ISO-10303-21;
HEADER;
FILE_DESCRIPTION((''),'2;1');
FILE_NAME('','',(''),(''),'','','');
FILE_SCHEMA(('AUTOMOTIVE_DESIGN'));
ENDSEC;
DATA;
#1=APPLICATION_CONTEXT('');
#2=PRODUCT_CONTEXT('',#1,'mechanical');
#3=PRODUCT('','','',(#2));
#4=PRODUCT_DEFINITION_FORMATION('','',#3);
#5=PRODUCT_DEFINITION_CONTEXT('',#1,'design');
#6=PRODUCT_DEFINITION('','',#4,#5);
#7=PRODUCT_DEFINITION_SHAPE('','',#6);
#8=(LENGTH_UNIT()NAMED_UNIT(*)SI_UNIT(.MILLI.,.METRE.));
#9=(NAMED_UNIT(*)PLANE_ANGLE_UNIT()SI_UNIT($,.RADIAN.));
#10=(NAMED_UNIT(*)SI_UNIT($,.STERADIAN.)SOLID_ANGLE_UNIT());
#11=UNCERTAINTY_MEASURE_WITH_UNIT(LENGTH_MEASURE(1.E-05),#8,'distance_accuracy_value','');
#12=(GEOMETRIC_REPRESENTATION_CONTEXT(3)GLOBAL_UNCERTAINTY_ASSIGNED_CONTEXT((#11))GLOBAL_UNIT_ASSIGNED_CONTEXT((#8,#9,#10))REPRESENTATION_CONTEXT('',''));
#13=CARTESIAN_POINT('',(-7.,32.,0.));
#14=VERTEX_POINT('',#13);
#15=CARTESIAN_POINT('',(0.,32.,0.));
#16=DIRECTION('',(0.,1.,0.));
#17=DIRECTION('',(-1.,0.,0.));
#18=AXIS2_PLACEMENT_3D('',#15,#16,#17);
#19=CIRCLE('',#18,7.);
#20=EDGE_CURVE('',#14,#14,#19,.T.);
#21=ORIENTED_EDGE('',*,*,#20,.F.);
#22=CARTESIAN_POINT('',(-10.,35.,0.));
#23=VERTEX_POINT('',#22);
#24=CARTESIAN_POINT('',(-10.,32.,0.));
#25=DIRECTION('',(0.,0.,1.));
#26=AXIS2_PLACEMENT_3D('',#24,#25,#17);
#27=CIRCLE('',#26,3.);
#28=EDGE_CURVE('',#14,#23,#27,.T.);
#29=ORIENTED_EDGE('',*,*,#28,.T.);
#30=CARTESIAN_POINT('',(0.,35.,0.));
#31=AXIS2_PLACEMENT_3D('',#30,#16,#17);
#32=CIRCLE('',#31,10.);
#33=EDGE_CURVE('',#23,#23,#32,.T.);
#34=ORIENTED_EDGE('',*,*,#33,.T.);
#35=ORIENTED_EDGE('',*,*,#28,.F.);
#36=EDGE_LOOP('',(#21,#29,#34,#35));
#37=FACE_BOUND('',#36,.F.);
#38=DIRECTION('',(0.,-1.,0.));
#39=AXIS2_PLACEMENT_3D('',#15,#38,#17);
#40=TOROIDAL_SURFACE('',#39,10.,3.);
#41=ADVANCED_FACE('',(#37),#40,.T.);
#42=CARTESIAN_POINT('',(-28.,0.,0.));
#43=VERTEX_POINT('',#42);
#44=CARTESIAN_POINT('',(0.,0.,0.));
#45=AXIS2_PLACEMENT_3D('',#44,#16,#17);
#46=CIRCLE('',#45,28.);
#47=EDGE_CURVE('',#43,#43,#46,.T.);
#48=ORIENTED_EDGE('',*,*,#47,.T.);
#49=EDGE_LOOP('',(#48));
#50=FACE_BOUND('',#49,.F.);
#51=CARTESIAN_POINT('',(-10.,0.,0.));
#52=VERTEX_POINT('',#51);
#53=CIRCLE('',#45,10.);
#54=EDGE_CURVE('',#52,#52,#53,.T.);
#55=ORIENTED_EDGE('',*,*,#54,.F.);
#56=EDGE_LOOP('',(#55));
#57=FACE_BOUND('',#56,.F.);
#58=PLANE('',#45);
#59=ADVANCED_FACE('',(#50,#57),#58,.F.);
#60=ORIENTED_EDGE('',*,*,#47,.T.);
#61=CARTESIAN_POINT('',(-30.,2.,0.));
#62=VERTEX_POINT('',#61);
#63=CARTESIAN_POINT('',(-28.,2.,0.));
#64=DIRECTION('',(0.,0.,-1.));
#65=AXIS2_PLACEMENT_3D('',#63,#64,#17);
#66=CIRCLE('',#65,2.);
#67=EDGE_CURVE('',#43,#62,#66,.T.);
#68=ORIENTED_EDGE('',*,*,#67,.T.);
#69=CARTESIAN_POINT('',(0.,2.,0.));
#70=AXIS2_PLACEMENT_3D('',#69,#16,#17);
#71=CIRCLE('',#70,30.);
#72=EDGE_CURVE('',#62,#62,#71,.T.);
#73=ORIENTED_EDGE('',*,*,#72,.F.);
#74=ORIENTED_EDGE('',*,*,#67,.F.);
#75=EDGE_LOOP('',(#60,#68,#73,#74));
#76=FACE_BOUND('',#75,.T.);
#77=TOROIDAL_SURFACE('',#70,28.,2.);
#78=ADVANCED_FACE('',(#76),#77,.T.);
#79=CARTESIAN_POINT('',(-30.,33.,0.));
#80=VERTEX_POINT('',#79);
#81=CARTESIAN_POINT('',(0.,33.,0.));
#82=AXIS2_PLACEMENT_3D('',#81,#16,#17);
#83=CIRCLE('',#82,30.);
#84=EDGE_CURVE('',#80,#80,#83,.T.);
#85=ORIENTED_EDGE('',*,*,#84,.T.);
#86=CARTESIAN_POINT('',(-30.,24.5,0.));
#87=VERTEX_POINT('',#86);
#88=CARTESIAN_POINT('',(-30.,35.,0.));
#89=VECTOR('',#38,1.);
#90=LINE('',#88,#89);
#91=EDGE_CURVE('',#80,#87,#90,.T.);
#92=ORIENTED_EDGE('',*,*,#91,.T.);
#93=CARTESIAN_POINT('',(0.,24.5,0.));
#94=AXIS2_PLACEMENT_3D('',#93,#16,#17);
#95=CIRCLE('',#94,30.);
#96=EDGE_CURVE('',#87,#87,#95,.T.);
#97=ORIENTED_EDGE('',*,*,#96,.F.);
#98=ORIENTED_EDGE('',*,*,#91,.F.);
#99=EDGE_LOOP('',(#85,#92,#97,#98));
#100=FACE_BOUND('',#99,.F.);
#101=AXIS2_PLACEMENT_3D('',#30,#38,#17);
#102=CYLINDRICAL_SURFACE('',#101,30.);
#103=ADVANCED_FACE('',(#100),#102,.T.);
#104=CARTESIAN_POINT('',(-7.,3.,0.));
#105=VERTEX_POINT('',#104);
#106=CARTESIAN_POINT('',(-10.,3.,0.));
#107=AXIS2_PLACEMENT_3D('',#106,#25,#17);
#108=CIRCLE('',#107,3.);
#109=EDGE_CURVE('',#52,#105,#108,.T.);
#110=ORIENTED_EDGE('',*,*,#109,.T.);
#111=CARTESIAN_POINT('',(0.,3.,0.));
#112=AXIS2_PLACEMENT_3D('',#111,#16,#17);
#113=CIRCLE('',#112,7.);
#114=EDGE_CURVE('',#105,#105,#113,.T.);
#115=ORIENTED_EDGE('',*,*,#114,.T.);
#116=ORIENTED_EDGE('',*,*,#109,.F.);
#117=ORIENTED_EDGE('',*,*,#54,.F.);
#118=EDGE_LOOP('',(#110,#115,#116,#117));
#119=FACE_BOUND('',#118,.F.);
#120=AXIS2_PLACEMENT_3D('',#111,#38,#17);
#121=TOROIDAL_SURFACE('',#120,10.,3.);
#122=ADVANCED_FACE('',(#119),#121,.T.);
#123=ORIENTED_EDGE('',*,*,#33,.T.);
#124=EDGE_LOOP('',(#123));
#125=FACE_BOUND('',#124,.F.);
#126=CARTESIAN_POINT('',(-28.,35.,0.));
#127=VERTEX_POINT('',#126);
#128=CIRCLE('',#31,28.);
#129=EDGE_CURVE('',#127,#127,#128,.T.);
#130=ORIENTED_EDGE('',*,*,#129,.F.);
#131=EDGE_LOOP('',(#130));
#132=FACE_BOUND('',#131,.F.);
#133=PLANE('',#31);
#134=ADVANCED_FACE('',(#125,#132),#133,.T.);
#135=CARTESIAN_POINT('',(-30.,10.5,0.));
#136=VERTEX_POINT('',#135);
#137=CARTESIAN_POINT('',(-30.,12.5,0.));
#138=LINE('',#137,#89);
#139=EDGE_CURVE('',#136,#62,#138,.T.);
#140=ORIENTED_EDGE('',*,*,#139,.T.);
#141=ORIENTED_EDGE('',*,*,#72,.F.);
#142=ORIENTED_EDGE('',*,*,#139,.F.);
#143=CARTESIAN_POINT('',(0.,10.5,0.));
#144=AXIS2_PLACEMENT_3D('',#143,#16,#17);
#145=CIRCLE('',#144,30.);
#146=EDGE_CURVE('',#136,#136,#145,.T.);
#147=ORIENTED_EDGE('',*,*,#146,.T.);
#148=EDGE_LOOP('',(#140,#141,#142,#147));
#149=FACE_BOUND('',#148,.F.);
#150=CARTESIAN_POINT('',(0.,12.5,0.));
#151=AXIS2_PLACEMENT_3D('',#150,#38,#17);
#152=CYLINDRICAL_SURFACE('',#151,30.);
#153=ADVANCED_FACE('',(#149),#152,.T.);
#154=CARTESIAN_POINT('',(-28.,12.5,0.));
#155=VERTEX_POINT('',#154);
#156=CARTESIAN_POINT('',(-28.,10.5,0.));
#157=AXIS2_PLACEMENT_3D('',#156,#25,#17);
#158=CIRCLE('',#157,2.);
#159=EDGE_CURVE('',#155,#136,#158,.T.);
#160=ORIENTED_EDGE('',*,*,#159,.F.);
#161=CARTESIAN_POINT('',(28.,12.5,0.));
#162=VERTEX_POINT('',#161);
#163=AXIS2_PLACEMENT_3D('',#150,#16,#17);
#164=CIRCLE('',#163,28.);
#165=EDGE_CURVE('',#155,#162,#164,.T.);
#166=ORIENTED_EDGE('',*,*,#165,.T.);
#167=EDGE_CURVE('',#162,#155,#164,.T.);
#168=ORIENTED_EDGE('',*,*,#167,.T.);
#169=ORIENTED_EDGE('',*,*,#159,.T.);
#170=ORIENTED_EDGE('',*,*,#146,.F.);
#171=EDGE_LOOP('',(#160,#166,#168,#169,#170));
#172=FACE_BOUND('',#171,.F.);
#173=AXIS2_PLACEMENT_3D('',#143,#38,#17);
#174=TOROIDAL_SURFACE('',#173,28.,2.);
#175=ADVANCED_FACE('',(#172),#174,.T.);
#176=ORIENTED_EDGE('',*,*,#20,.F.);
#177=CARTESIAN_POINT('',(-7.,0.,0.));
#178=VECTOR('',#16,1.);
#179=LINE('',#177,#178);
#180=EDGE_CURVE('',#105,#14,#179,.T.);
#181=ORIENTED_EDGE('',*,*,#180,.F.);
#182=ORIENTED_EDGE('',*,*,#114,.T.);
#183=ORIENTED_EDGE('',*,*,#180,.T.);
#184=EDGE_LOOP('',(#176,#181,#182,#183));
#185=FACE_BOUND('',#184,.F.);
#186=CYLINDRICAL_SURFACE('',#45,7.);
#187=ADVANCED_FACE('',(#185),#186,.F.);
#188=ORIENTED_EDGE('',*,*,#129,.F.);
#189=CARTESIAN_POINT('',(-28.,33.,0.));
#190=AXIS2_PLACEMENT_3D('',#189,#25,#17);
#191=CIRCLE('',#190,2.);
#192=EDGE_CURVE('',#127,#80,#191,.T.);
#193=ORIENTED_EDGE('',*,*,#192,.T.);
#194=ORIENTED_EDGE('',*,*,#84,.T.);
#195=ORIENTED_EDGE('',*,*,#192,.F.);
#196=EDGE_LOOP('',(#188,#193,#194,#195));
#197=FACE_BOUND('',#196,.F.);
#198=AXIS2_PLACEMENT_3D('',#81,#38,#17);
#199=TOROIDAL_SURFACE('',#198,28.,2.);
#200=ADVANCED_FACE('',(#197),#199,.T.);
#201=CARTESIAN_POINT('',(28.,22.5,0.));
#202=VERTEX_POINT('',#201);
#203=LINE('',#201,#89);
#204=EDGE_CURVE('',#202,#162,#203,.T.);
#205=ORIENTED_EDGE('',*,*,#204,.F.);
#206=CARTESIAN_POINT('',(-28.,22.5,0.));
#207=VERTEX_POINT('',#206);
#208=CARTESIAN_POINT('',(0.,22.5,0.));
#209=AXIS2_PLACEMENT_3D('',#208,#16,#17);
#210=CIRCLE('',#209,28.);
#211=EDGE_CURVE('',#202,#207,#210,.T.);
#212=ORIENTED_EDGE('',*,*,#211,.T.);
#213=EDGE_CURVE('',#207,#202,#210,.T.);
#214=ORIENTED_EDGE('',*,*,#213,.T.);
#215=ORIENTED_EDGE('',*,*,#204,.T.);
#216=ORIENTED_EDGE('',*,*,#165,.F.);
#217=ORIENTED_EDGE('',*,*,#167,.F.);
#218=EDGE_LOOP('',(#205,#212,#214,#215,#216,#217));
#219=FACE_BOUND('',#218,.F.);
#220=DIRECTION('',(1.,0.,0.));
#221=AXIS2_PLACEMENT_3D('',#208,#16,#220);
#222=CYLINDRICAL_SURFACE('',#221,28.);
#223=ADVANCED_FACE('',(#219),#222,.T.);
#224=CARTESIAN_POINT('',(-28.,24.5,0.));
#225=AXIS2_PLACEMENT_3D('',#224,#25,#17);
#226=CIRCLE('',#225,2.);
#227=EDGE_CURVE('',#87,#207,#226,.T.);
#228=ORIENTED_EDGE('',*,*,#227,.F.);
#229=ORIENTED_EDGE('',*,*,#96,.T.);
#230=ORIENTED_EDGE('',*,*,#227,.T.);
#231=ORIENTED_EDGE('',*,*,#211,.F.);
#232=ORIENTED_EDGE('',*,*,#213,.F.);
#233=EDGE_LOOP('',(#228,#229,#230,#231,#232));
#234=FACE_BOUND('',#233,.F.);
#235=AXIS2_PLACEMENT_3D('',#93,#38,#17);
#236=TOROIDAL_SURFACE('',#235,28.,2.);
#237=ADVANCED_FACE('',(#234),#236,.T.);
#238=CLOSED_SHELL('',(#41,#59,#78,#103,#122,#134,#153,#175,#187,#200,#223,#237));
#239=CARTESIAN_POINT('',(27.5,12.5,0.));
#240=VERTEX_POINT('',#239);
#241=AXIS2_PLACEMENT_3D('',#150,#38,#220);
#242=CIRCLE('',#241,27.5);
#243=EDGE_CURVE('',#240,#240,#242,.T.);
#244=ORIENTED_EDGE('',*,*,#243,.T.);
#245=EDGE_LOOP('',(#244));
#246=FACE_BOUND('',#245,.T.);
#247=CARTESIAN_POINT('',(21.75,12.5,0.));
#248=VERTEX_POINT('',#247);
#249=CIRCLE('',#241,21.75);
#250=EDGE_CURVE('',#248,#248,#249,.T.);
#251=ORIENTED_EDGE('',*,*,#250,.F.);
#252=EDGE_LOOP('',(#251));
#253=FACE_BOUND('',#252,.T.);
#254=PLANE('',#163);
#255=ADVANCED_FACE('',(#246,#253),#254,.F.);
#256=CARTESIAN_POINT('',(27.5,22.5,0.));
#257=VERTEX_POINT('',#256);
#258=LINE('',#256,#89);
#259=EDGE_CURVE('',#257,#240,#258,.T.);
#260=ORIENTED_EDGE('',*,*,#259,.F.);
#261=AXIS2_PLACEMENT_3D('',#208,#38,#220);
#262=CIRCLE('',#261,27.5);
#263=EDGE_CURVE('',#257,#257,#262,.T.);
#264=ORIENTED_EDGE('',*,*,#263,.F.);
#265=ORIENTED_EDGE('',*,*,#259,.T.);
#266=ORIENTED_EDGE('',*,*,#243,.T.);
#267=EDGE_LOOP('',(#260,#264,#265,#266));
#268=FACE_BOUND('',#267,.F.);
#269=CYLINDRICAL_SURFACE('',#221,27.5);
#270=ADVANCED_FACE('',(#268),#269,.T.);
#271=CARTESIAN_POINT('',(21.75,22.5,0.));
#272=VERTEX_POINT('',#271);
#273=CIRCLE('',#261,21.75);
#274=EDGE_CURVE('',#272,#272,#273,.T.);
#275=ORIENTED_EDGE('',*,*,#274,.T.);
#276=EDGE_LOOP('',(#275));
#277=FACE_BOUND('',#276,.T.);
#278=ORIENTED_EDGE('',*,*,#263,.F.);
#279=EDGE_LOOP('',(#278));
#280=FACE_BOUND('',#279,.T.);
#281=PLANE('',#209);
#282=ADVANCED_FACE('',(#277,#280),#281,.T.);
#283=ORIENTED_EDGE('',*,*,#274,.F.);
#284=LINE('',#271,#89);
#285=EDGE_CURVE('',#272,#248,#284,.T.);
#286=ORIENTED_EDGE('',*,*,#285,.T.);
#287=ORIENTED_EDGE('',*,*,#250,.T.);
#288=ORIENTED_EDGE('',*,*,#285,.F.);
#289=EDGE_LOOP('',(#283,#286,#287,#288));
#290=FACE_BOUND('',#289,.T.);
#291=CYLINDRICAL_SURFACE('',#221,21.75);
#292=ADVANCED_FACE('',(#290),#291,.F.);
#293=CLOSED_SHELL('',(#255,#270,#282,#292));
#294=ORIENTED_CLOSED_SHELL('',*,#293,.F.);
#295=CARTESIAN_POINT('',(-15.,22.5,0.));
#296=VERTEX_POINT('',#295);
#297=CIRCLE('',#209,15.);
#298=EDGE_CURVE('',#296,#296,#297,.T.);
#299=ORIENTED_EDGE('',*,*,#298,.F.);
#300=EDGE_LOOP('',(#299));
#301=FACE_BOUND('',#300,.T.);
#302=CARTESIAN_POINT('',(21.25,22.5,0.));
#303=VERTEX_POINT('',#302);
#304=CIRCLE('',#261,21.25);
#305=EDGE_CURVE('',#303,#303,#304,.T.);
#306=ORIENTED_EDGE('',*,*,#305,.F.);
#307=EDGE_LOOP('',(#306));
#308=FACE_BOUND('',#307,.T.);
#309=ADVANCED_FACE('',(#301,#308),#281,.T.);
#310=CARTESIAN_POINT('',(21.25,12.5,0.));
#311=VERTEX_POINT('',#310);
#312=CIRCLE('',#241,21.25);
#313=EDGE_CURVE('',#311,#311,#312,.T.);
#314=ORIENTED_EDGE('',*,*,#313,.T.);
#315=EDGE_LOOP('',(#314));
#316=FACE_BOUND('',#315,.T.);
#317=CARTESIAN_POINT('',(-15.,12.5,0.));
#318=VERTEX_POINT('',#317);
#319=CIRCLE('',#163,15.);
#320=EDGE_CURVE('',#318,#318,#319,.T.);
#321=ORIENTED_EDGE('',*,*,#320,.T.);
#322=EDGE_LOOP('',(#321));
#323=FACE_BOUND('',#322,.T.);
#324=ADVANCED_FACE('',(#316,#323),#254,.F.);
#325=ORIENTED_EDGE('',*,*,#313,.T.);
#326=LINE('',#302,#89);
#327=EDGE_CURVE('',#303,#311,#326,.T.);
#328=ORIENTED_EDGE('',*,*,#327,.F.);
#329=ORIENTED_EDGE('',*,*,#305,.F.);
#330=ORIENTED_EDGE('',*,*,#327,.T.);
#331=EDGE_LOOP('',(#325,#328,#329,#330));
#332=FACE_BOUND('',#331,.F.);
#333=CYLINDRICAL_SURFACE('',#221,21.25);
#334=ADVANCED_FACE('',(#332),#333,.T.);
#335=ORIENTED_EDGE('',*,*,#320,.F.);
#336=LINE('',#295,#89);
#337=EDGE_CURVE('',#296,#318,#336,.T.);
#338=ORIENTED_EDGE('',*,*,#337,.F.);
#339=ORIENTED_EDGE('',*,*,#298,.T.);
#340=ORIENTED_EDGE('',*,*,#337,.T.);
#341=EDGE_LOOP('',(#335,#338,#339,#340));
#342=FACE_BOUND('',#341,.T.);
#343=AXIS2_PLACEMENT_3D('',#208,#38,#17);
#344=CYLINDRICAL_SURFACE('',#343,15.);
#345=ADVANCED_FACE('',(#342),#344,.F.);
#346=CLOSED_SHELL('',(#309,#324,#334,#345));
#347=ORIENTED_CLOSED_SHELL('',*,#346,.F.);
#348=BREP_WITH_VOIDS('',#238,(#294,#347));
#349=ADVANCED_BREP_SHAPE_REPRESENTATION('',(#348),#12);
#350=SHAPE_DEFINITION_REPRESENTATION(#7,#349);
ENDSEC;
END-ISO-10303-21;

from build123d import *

# Parameters (mm, degrees)
F2_R     = 2
F3_R     = 3
F4_R     = 28
F4_R_2   = 27.5
F4_R_3   = 21.75
F4_R_4   = 21.25
F5_DEPTH = 10


with BuildPart() as f1:
    # F0 (on Top) → F1 (revolve)
    with BuildSketch(Plane.XY):
        Polygon((-30, 0), (-7, 0), (-7, 35), (-30, 35), (-30, 22.5), (-15, 22.5), (-15, 12.5), (-30, 12.5), align=None)
    revolve(axis=Axis((0, 17.5, 0), (0, 1, 0)))

    # F2
    f2_edges = [f1.edges().sort_by_distance(p)[0] for p in [
        (30, 22.5, 0),
        (30, 12.5, 0),
        (30, 35, 0),
        (30, 0, 0),
    ]]
    fillet(f2_edges, radius=F2_R)

    # F3
    f3_edges = [f1.edges().sort_by_distance(p)[0] for p in [
        (7, 0, 0),
        (7, 35, 0),
    ]]
    fillet(f3_edges, radius=F3_R)

    # F4 (on face) → F5 (join, through all)
    with BuildSketch(Plane.XZ.offset(-22.5)):
        Circle(F4_R)
        Circle(F4_R_2, mode=Mode.SUBTRACT)
        Circle(F4_R_3)
        Circle(F4_R_4, mode=Mode.SUBTRACT)
    extrude(amount=F5_DEPTH)


solid = f1.part
